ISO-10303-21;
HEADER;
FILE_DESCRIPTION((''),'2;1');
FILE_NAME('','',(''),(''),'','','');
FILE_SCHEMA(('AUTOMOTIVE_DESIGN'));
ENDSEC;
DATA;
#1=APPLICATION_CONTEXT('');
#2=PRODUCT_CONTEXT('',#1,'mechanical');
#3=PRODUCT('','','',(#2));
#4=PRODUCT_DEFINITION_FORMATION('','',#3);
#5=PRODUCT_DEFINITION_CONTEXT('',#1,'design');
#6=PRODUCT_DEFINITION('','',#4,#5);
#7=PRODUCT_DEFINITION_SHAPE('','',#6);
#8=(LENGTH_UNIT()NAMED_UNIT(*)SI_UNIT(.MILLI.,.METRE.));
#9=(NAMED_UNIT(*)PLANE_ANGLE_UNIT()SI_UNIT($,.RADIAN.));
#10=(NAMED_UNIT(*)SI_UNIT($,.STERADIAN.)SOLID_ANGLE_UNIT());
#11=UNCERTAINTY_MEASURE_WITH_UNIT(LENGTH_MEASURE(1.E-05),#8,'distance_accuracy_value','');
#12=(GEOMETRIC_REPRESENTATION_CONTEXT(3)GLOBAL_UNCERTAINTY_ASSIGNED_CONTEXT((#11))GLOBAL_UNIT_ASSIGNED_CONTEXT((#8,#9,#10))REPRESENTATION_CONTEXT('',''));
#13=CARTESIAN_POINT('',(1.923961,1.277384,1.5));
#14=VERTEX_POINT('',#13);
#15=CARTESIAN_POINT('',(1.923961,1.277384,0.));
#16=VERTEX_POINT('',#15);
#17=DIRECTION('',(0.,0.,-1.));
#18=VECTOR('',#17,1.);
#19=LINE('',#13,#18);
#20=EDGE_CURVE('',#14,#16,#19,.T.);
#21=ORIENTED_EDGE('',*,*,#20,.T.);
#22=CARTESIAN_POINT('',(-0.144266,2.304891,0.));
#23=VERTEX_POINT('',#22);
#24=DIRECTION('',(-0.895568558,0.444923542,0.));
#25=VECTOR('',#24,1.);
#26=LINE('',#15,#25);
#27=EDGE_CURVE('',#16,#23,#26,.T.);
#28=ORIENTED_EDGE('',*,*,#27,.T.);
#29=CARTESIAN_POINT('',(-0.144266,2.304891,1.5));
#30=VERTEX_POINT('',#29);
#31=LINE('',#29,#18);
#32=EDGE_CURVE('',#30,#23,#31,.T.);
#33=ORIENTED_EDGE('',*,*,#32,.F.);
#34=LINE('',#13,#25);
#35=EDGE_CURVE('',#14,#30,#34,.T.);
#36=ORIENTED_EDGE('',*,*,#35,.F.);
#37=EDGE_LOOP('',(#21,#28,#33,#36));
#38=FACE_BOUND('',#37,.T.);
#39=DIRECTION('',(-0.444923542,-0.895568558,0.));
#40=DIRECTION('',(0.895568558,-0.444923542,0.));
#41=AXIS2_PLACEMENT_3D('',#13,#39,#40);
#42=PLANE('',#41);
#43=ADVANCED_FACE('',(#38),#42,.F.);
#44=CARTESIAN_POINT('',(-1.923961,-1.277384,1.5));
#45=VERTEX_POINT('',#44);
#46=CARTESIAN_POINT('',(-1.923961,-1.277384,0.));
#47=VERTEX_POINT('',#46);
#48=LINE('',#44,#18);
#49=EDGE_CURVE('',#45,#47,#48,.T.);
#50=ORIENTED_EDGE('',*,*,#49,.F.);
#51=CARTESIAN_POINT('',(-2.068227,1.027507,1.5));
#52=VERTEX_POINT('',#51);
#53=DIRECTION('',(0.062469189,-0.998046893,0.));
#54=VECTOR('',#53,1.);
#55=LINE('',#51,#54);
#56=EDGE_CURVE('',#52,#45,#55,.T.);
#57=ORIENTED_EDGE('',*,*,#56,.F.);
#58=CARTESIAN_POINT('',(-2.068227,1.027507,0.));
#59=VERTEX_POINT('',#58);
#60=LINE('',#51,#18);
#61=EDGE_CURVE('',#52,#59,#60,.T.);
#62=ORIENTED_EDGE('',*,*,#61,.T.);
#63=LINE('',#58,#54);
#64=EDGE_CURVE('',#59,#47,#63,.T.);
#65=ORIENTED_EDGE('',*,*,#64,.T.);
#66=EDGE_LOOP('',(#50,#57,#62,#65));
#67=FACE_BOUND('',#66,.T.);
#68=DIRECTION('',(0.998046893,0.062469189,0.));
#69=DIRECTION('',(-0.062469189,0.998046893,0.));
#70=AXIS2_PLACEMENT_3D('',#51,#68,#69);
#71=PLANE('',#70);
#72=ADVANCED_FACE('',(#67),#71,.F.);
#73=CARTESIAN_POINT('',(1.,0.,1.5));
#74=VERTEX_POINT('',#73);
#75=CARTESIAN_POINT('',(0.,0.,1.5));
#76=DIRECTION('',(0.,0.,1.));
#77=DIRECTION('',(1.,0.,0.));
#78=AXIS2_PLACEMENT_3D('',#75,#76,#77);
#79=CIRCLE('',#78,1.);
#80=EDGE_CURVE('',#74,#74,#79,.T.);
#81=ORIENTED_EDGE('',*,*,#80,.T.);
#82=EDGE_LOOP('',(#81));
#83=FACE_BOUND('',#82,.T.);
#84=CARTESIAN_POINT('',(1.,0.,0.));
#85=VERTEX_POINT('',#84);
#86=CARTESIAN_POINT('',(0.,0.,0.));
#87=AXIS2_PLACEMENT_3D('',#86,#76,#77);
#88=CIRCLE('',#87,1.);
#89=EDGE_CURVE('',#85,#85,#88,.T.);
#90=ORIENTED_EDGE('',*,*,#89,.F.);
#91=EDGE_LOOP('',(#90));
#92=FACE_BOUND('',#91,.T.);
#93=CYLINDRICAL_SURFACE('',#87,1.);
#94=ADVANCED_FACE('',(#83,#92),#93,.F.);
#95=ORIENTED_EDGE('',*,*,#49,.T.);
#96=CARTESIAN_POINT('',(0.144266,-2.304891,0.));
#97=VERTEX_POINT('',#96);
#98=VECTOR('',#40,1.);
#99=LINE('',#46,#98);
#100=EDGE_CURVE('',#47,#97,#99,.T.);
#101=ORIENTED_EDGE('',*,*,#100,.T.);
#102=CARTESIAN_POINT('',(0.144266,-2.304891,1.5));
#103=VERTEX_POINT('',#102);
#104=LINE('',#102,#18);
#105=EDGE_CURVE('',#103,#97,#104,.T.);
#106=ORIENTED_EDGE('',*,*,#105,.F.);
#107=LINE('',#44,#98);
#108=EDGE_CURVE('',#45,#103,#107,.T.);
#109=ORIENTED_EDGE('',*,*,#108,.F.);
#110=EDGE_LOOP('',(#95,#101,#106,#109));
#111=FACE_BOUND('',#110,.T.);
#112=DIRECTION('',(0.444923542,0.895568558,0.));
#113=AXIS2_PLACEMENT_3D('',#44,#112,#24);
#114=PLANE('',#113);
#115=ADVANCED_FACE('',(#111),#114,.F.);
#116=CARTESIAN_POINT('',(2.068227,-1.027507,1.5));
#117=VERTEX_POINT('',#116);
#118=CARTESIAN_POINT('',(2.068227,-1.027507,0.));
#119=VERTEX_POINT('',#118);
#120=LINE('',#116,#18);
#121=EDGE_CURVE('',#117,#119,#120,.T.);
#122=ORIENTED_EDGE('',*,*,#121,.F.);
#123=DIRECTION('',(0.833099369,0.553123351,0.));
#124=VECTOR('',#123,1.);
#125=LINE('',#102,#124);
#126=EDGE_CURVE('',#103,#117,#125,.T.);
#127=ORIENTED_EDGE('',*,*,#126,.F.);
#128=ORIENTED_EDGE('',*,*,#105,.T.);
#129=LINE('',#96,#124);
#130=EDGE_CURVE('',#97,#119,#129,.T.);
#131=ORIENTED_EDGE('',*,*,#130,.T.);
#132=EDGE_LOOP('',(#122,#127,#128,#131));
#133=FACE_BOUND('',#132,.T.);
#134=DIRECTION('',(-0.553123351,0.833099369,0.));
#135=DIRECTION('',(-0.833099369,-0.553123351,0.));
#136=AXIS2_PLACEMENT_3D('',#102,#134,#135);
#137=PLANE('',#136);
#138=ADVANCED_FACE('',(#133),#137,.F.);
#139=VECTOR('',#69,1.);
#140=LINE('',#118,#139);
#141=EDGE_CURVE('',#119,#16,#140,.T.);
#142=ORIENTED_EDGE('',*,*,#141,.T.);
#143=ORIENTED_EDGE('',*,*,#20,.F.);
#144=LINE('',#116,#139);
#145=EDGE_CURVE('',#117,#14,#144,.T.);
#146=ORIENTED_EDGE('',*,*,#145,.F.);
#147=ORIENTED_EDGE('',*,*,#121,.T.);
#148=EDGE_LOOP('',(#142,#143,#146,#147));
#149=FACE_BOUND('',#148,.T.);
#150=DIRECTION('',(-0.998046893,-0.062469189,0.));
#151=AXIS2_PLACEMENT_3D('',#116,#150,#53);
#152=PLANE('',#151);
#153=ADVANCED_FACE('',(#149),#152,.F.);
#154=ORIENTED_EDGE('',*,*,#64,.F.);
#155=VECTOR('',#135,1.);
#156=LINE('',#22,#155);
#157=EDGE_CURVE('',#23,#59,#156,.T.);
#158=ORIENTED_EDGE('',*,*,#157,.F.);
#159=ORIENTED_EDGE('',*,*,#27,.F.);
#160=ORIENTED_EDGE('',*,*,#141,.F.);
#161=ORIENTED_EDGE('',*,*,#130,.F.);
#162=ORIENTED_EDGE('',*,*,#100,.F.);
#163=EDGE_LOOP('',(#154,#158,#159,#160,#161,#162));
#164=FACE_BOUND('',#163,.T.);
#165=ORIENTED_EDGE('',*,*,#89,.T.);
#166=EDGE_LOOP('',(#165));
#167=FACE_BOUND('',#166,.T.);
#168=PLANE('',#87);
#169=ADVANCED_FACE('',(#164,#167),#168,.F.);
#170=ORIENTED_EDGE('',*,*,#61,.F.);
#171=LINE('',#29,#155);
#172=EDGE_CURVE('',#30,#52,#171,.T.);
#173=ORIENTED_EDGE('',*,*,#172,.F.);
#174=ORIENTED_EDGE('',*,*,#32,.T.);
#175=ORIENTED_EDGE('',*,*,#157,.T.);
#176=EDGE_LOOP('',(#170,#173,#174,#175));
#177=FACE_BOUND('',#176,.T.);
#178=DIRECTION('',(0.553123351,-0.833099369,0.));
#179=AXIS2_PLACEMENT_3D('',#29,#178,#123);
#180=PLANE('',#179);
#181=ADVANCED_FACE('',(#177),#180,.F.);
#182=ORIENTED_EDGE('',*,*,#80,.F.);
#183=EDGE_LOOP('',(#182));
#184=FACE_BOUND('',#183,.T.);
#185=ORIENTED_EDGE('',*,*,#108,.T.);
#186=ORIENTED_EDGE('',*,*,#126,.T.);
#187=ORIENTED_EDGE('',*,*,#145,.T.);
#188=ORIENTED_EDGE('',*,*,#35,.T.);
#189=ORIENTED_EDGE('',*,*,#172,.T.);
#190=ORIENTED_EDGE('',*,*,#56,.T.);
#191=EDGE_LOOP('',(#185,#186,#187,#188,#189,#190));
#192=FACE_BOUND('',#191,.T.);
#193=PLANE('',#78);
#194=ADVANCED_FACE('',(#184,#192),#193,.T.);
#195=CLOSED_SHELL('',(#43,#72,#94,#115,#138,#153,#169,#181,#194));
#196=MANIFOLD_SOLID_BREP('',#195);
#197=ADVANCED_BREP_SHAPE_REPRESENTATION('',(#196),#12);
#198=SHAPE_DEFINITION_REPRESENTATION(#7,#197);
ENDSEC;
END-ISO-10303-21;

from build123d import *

# Parameters (mm, degrees)
BOSS_EXTRUDE1_DEPTH = 1.5
SKETCH2_R           = 1
CUT_EXTRUDE1_DEPTH  = 2.5


with BuildPart() as part:
    # Sketch1 → Boss-Extrude1 (new body)
    with BuildSketch(Plane.XY):
        Polygon((-1.923960579, -1.277383663), (0.144266413, -2.304890569), (2.068226992, -1.027506906), (1.923960579, 1.277383663), (-0.144266413, 2.304890569), (-2.068226992, 1.027506906), align=None)
    extrude(amount=BOSS_EXTRUDE1_DEPTH)

    # Sketch2 → Cut-Extrude1 (cut, through all)
    with BuildSketch(Plane.XY.offset(1.5)):
        Circle(SKETCH2_R)
    extrude(amount=-CUT_EXTRUDE1_DEPTH, mode=Mode.SUBTRACT)


solid = part.part
